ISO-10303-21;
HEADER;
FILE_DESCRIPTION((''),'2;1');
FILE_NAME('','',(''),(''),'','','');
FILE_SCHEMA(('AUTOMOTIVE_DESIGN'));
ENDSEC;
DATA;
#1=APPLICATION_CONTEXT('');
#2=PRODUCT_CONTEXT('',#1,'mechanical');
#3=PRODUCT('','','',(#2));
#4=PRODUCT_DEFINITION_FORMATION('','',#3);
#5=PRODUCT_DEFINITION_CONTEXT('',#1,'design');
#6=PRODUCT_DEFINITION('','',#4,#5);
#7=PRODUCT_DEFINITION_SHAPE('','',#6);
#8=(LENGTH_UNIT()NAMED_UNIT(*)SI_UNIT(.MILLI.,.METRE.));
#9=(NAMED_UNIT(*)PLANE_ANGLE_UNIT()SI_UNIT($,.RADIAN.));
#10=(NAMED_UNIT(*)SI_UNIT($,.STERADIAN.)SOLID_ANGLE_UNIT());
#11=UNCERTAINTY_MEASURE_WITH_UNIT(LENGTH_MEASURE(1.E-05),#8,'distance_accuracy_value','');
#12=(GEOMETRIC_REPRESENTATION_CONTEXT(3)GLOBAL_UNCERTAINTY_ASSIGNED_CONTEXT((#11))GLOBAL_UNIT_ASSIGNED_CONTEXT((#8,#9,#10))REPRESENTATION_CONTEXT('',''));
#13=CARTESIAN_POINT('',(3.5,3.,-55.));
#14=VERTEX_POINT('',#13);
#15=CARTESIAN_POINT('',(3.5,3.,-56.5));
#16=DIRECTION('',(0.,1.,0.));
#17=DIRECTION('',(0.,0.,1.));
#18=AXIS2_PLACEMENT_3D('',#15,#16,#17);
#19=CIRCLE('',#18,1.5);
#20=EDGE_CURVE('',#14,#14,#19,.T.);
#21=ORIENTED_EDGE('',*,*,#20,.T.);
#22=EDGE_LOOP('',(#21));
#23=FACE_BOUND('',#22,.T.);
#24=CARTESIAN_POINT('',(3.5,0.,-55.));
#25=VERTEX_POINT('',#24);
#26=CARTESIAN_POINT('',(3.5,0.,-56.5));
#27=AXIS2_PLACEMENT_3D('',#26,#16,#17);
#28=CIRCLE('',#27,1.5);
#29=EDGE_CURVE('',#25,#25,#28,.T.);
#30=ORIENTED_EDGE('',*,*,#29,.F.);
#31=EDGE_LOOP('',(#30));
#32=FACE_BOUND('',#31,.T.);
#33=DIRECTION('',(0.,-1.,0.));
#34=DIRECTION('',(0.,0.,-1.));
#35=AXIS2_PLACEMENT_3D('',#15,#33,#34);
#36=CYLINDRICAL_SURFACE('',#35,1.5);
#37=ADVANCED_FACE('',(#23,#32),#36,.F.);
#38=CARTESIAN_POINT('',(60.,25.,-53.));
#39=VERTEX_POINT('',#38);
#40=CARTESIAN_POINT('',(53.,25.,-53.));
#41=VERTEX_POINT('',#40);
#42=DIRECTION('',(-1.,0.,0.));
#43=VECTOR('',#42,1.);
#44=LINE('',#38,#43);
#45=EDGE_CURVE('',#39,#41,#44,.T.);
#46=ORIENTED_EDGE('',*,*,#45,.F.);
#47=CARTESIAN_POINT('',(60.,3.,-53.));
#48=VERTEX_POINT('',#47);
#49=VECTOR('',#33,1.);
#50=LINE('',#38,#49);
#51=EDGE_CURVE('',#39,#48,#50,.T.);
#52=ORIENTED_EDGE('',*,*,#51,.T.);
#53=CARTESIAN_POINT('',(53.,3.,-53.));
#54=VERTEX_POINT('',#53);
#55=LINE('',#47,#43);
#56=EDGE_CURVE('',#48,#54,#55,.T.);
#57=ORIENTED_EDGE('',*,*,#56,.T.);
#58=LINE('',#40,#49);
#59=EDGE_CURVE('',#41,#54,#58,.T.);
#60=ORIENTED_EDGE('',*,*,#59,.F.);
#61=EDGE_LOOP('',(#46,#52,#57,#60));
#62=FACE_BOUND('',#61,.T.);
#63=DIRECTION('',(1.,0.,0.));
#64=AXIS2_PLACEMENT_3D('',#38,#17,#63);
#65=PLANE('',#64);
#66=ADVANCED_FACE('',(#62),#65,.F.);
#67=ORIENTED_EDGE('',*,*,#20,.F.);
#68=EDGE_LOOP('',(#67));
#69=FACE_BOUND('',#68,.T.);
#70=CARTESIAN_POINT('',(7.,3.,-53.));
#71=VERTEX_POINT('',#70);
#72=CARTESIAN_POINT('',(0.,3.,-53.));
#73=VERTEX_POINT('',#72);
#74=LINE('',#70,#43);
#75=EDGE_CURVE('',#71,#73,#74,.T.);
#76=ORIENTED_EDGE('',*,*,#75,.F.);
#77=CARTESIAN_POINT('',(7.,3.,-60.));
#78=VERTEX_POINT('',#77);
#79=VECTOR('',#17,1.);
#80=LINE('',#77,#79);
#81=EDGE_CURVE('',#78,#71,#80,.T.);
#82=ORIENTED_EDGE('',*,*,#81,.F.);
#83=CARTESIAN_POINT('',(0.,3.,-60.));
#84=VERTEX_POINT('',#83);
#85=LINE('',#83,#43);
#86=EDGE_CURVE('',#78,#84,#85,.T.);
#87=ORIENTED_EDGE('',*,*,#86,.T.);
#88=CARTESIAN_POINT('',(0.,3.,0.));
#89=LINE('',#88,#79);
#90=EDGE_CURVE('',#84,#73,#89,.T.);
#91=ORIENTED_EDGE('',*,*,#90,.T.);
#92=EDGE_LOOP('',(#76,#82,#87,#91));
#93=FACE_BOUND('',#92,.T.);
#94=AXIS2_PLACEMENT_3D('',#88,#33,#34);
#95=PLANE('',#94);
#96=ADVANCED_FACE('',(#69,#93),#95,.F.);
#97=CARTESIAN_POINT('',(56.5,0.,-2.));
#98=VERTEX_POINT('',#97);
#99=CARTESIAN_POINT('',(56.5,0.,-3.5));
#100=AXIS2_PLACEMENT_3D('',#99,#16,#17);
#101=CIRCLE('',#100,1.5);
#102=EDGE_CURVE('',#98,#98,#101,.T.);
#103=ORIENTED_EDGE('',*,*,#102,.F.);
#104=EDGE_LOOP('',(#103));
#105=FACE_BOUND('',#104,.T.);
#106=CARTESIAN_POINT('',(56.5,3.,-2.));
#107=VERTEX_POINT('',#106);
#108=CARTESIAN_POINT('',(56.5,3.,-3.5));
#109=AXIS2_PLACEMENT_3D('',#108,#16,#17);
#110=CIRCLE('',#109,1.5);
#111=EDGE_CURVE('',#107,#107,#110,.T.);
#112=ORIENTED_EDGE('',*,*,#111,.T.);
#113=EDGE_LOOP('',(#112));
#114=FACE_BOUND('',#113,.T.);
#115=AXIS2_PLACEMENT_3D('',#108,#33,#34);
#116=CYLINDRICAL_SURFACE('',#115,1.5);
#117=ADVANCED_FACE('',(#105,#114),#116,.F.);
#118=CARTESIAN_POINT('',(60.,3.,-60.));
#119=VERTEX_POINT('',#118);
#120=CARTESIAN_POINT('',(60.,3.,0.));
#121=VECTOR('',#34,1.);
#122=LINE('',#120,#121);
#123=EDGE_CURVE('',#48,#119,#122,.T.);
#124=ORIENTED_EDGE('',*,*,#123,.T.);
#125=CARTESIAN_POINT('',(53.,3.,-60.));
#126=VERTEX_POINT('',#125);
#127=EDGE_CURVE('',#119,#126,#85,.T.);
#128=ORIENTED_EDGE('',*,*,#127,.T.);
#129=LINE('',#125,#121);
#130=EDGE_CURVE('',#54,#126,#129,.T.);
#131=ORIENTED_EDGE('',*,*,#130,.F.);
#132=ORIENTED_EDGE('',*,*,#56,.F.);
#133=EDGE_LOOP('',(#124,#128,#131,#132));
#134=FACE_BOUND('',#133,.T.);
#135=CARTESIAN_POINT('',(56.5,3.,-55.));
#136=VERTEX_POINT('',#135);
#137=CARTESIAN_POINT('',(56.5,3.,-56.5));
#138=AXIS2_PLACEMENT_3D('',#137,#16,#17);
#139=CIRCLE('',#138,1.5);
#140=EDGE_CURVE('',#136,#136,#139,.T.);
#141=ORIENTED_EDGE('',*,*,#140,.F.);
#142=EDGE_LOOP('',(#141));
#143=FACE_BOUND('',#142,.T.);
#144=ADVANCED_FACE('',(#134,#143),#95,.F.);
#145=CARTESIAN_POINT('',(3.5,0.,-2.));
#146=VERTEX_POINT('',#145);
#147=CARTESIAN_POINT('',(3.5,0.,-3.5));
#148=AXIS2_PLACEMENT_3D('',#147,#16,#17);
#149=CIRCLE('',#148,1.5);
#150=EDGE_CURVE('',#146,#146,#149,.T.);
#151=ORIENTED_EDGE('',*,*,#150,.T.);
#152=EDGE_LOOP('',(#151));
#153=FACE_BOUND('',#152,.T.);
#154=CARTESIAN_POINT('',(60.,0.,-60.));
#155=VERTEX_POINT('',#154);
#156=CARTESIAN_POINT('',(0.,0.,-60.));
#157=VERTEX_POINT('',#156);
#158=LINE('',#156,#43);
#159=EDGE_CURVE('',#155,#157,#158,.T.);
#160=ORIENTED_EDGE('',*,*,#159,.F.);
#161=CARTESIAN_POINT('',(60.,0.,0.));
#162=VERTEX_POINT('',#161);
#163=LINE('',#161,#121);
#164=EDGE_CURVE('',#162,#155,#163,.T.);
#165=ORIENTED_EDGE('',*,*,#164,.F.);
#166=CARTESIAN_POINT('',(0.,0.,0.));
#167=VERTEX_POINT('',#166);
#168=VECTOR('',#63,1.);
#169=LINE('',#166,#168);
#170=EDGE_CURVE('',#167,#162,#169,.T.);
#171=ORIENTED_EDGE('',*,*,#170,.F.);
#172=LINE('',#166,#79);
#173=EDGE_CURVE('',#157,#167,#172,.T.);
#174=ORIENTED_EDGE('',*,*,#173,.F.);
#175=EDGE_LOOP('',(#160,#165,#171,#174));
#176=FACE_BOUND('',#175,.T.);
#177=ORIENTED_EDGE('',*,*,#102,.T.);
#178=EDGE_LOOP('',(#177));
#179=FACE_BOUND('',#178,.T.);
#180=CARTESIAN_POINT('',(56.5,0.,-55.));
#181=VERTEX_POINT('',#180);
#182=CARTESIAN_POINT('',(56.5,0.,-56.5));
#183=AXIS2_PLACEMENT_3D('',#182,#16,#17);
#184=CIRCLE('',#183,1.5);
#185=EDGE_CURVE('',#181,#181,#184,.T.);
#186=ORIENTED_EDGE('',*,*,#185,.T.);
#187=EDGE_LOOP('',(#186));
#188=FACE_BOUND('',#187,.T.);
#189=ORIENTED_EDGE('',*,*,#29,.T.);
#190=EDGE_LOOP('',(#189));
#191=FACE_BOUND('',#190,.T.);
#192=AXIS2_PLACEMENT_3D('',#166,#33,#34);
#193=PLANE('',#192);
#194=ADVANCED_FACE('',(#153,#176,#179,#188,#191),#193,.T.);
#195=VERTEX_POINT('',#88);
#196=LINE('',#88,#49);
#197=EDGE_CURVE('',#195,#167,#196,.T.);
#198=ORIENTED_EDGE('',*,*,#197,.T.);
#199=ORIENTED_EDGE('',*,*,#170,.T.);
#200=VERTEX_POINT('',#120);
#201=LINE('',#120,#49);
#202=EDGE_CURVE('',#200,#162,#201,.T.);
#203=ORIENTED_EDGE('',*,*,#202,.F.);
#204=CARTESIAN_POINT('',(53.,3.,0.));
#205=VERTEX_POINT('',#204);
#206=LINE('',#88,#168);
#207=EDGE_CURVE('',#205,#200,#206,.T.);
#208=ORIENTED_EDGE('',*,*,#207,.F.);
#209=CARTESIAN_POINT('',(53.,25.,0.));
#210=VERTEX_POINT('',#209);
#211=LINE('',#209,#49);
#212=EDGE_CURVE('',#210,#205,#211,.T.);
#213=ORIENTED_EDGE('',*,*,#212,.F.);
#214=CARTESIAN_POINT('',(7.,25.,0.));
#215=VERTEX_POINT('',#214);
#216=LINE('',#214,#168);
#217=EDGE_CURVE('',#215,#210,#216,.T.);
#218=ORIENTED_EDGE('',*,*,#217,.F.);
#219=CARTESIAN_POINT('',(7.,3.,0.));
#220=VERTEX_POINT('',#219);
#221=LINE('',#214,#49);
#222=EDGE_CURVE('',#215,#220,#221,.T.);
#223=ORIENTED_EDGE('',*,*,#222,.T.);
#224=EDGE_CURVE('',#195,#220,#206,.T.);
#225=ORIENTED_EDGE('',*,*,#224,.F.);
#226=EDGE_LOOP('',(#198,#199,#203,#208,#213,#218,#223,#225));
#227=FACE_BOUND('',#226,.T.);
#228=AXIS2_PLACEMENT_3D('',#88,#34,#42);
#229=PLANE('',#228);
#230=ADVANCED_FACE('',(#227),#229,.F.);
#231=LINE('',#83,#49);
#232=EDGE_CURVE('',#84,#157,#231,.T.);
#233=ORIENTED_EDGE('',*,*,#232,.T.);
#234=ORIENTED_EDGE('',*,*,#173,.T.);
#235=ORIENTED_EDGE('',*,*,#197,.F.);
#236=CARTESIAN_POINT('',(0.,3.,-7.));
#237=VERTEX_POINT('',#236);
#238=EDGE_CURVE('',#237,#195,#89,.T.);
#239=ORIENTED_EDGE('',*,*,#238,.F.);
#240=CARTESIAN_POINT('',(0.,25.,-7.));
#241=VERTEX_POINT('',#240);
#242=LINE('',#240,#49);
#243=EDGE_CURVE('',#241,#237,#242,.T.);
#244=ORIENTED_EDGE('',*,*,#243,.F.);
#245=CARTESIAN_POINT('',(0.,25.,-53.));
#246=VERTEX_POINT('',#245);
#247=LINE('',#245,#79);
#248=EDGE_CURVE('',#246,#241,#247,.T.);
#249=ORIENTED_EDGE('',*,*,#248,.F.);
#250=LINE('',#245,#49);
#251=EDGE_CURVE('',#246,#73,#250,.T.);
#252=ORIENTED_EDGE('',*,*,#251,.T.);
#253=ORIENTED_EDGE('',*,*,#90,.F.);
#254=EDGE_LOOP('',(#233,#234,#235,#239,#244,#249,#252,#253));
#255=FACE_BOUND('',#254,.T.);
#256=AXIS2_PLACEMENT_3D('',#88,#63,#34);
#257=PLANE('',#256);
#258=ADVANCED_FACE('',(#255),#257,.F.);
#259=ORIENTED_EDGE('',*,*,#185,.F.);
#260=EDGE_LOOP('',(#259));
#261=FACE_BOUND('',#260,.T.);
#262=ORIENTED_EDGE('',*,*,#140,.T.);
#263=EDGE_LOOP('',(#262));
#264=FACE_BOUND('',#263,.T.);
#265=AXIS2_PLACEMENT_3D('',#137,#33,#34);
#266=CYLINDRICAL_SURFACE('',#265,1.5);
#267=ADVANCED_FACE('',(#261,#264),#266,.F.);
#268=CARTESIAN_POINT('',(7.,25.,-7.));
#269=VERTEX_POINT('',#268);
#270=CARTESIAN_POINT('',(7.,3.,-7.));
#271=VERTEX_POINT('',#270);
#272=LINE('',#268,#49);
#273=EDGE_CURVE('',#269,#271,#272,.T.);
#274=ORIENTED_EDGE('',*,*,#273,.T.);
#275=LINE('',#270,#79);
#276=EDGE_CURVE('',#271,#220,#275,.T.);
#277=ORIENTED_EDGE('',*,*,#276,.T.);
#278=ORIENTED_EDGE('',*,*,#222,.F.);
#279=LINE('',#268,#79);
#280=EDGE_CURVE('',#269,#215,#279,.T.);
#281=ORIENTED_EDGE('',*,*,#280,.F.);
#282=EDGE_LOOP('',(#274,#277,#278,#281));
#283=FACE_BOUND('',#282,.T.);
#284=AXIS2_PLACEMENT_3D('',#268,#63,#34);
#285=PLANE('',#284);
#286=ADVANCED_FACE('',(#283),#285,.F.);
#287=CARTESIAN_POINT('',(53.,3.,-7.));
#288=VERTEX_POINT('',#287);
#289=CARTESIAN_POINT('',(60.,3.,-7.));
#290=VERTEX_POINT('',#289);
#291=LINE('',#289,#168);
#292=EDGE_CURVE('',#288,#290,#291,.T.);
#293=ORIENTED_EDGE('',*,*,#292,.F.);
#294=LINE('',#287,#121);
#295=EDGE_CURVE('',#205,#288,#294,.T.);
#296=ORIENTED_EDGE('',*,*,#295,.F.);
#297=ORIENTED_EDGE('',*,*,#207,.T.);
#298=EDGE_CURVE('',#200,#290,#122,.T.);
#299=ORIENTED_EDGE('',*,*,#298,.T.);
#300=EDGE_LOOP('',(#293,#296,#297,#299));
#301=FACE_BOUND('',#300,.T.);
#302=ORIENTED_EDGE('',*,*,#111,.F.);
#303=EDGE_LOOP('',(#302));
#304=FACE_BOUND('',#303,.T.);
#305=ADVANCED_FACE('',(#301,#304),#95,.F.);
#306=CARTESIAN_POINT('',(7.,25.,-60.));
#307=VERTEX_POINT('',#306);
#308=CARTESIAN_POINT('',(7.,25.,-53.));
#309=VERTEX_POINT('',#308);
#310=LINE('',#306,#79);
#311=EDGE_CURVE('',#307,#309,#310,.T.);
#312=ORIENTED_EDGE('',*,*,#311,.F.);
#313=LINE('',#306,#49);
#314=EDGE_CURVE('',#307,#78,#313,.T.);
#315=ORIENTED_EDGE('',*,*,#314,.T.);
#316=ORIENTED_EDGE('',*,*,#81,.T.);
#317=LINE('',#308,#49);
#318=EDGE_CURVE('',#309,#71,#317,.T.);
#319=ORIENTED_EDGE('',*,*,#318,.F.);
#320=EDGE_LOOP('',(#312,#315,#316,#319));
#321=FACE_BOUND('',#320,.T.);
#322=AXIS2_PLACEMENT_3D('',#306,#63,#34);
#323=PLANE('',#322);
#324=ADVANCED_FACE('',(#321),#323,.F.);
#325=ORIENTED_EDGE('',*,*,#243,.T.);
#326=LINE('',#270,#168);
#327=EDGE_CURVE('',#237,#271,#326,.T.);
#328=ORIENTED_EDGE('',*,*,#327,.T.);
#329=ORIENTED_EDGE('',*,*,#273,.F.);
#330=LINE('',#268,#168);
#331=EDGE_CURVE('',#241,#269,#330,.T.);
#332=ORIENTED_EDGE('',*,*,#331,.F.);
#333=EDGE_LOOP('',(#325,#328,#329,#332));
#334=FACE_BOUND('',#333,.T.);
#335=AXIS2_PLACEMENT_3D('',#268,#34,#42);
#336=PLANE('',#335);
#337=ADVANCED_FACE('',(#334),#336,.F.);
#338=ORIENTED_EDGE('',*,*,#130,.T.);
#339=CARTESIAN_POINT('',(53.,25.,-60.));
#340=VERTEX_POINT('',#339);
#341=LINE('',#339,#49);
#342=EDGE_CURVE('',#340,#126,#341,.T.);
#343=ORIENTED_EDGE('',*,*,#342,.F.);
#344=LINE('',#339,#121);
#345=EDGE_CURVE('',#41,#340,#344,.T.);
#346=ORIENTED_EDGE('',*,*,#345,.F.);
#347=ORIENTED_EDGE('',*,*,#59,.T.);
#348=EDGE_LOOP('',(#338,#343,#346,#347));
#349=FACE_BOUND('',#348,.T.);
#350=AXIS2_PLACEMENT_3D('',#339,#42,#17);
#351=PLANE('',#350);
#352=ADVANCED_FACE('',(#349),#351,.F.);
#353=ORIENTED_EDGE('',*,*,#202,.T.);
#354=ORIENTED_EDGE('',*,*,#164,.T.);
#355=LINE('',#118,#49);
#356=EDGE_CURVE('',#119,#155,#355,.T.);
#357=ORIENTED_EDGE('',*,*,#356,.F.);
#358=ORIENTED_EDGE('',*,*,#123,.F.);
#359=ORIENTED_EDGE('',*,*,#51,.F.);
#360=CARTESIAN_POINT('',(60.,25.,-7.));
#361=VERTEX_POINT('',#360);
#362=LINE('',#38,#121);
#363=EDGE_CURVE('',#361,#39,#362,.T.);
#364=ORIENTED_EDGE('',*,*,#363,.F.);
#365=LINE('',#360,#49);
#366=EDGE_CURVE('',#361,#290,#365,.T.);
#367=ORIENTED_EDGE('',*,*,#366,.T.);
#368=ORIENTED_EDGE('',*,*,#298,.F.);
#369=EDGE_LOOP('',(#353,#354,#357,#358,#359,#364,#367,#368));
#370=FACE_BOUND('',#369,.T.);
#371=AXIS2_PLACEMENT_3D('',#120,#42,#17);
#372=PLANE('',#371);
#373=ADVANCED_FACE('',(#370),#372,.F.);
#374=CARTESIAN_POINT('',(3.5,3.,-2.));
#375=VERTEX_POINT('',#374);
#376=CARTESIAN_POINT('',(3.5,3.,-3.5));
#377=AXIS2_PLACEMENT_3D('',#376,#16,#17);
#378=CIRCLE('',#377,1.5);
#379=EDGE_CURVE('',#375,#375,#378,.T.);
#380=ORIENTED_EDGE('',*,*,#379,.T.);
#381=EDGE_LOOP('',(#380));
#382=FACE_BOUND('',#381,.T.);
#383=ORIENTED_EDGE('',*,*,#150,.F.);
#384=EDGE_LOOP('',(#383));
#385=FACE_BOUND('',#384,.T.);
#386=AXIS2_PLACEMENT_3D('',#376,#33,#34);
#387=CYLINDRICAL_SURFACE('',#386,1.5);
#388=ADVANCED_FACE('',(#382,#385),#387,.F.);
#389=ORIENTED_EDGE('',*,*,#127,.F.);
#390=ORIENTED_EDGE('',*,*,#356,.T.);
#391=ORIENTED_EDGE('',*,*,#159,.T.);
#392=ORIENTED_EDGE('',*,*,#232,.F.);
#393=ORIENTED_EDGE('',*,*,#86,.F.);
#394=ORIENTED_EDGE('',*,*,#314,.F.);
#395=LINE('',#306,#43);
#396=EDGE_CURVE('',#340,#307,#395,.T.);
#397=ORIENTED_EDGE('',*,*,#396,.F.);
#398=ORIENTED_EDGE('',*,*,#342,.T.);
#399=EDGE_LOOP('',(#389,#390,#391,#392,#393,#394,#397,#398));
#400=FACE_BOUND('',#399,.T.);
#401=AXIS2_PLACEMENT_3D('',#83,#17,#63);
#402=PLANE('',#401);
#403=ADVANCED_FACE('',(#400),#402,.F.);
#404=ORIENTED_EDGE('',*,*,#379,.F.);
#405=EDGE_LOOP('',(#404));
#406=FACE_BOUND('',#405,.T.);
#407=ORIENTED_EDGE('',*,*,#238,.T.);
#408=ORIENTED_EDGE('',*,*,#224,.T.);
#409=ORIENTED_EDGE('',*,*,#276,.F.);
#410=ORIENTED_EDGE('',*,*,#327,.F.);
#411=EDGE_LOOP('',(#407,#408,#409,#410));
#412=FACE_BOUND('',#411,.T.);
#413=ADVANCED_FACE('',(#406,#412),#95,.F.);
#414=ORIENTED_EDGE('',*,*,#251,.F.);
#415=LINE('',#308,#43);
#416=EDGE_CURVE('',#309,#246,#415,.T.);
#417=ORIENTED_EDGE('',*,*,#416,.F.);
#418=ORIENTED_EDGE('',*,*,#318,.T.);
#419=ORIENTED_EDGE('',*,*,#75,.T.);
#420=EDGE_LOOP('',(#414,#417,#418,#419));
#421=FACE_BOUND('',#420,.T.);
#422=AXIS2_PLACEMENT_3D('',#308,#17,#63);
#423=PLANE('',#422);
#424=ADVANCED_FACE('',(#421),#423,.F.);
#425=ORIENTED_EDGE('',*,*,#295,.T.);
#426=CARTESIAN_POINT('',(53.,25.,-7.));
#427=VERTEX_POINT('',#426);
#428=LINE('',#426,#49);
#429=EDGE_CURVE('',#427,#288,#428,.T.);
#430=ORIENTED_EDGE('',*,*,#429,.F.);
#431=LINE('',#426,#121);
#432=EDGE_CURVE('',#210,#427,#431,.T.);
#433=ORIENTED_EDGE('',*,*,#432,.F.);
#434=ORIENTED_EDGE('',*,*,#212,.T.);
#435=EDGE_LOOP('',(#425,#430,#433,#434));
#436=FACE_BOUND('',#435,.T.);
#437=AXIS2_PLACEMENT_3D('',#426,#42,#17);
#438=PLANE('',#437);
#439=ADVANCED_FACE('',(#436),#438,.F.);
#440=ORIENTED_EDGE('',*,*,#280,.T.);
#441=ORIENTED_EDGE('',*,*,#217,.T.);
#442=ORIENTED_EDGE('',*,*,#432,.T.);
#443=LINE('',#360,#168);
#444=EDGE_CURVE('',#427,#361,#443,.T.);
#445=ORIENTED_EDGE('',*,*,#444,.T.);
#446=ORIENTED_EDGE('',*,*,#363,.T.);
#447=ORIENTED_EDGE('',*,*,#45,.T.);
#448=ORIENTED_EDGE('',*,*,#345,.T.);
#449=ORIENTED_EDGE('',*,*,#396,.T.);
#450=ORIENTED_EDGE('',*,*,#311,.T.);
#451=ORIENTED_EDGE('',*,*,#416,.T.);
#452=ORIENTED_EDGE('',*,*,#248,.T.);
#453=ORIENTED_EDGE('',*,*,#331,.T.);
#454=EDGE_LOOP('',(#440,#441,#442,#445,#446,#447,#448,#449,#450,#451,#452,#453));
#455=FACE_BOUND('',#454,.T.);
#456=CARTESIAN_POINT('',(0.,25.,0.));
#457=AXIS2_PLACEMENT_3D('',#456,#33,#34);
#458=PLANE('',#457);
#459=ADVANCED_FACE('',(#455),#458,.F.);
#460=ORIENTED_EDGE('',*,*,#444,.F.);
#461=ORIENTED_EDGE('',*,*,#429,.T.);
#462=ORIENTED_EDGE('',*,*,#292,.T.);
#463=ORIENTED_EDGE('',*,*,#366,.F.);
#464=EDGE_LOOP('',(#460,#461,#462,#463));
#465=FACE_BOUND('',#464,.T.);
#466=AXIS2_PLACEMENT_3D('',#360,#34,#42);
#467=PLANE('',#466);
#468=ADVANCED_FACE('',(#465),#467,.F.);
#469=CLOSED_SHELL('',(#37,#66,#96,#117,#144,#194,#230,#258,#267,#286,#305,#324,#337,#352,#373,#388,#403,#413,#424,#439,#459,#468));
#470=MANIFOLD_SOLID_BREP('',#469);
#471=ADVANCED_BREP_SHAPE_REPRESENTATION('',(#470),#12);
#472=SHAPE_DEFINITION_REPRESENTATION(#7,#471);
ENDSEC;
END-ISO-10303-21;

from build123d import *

# Parameters (mm, degrees)
SKETCH1_W           = 60
SKETCH1_H           = 60
SKETCH1_R           = 1.5
BOSS_EXTRUDE1_DEPTH = 3
BOSS_EXTRUDE2_DEPTH = 22


with BuildPart() as part:
    # Sketch1 → Boss-Extrude1 (new body)
    with BuildSketch(Plane(origin=(0, 0, 0), x_dir=(1, 0, 0), z_dir=(0, 1, 0))):
        with Locations((30, 30)):
            Rectangle(SKETCH1_W, SKETCH1_H)
        with Locations((3.5, 3.5)):
            Circle(SKETCH1_R, mode=Mode.SUBTRACT)
        with Locations((56.5, 3.5)):
            Circle(SKETCH1_R, mode=Mode.SUBTRACT)
        with Locations((56.5, 56.5)):
            Circle(SKETCH1_R, mode=Mode.SUBTRACT)
        with Locations((3.5, 56.5)):
            Circle(SKETCH1_R, mode=Mode.SUBTRACT)
    extrude(amount=BOSS_EXTRUDE1_DEPTH)

    # Sketch2 → Boss-Extrude2 (add)
    with BuildSketch(Plane(origin=(0, 3, 0), x_dir=(1, 0, 0), z_dir=(0, 1, 0))):
        Polygon((7, 60), (53, 60), (53, 53), (60, 53), (60, 7), (53, 7), (53, 0), (7, 0), (7, 7), (0, 7), (0, 53), (7, 53), align=None)
    extrude(amount=BOSS_EXTRUDE2_DEPTH)


solid = part.part
